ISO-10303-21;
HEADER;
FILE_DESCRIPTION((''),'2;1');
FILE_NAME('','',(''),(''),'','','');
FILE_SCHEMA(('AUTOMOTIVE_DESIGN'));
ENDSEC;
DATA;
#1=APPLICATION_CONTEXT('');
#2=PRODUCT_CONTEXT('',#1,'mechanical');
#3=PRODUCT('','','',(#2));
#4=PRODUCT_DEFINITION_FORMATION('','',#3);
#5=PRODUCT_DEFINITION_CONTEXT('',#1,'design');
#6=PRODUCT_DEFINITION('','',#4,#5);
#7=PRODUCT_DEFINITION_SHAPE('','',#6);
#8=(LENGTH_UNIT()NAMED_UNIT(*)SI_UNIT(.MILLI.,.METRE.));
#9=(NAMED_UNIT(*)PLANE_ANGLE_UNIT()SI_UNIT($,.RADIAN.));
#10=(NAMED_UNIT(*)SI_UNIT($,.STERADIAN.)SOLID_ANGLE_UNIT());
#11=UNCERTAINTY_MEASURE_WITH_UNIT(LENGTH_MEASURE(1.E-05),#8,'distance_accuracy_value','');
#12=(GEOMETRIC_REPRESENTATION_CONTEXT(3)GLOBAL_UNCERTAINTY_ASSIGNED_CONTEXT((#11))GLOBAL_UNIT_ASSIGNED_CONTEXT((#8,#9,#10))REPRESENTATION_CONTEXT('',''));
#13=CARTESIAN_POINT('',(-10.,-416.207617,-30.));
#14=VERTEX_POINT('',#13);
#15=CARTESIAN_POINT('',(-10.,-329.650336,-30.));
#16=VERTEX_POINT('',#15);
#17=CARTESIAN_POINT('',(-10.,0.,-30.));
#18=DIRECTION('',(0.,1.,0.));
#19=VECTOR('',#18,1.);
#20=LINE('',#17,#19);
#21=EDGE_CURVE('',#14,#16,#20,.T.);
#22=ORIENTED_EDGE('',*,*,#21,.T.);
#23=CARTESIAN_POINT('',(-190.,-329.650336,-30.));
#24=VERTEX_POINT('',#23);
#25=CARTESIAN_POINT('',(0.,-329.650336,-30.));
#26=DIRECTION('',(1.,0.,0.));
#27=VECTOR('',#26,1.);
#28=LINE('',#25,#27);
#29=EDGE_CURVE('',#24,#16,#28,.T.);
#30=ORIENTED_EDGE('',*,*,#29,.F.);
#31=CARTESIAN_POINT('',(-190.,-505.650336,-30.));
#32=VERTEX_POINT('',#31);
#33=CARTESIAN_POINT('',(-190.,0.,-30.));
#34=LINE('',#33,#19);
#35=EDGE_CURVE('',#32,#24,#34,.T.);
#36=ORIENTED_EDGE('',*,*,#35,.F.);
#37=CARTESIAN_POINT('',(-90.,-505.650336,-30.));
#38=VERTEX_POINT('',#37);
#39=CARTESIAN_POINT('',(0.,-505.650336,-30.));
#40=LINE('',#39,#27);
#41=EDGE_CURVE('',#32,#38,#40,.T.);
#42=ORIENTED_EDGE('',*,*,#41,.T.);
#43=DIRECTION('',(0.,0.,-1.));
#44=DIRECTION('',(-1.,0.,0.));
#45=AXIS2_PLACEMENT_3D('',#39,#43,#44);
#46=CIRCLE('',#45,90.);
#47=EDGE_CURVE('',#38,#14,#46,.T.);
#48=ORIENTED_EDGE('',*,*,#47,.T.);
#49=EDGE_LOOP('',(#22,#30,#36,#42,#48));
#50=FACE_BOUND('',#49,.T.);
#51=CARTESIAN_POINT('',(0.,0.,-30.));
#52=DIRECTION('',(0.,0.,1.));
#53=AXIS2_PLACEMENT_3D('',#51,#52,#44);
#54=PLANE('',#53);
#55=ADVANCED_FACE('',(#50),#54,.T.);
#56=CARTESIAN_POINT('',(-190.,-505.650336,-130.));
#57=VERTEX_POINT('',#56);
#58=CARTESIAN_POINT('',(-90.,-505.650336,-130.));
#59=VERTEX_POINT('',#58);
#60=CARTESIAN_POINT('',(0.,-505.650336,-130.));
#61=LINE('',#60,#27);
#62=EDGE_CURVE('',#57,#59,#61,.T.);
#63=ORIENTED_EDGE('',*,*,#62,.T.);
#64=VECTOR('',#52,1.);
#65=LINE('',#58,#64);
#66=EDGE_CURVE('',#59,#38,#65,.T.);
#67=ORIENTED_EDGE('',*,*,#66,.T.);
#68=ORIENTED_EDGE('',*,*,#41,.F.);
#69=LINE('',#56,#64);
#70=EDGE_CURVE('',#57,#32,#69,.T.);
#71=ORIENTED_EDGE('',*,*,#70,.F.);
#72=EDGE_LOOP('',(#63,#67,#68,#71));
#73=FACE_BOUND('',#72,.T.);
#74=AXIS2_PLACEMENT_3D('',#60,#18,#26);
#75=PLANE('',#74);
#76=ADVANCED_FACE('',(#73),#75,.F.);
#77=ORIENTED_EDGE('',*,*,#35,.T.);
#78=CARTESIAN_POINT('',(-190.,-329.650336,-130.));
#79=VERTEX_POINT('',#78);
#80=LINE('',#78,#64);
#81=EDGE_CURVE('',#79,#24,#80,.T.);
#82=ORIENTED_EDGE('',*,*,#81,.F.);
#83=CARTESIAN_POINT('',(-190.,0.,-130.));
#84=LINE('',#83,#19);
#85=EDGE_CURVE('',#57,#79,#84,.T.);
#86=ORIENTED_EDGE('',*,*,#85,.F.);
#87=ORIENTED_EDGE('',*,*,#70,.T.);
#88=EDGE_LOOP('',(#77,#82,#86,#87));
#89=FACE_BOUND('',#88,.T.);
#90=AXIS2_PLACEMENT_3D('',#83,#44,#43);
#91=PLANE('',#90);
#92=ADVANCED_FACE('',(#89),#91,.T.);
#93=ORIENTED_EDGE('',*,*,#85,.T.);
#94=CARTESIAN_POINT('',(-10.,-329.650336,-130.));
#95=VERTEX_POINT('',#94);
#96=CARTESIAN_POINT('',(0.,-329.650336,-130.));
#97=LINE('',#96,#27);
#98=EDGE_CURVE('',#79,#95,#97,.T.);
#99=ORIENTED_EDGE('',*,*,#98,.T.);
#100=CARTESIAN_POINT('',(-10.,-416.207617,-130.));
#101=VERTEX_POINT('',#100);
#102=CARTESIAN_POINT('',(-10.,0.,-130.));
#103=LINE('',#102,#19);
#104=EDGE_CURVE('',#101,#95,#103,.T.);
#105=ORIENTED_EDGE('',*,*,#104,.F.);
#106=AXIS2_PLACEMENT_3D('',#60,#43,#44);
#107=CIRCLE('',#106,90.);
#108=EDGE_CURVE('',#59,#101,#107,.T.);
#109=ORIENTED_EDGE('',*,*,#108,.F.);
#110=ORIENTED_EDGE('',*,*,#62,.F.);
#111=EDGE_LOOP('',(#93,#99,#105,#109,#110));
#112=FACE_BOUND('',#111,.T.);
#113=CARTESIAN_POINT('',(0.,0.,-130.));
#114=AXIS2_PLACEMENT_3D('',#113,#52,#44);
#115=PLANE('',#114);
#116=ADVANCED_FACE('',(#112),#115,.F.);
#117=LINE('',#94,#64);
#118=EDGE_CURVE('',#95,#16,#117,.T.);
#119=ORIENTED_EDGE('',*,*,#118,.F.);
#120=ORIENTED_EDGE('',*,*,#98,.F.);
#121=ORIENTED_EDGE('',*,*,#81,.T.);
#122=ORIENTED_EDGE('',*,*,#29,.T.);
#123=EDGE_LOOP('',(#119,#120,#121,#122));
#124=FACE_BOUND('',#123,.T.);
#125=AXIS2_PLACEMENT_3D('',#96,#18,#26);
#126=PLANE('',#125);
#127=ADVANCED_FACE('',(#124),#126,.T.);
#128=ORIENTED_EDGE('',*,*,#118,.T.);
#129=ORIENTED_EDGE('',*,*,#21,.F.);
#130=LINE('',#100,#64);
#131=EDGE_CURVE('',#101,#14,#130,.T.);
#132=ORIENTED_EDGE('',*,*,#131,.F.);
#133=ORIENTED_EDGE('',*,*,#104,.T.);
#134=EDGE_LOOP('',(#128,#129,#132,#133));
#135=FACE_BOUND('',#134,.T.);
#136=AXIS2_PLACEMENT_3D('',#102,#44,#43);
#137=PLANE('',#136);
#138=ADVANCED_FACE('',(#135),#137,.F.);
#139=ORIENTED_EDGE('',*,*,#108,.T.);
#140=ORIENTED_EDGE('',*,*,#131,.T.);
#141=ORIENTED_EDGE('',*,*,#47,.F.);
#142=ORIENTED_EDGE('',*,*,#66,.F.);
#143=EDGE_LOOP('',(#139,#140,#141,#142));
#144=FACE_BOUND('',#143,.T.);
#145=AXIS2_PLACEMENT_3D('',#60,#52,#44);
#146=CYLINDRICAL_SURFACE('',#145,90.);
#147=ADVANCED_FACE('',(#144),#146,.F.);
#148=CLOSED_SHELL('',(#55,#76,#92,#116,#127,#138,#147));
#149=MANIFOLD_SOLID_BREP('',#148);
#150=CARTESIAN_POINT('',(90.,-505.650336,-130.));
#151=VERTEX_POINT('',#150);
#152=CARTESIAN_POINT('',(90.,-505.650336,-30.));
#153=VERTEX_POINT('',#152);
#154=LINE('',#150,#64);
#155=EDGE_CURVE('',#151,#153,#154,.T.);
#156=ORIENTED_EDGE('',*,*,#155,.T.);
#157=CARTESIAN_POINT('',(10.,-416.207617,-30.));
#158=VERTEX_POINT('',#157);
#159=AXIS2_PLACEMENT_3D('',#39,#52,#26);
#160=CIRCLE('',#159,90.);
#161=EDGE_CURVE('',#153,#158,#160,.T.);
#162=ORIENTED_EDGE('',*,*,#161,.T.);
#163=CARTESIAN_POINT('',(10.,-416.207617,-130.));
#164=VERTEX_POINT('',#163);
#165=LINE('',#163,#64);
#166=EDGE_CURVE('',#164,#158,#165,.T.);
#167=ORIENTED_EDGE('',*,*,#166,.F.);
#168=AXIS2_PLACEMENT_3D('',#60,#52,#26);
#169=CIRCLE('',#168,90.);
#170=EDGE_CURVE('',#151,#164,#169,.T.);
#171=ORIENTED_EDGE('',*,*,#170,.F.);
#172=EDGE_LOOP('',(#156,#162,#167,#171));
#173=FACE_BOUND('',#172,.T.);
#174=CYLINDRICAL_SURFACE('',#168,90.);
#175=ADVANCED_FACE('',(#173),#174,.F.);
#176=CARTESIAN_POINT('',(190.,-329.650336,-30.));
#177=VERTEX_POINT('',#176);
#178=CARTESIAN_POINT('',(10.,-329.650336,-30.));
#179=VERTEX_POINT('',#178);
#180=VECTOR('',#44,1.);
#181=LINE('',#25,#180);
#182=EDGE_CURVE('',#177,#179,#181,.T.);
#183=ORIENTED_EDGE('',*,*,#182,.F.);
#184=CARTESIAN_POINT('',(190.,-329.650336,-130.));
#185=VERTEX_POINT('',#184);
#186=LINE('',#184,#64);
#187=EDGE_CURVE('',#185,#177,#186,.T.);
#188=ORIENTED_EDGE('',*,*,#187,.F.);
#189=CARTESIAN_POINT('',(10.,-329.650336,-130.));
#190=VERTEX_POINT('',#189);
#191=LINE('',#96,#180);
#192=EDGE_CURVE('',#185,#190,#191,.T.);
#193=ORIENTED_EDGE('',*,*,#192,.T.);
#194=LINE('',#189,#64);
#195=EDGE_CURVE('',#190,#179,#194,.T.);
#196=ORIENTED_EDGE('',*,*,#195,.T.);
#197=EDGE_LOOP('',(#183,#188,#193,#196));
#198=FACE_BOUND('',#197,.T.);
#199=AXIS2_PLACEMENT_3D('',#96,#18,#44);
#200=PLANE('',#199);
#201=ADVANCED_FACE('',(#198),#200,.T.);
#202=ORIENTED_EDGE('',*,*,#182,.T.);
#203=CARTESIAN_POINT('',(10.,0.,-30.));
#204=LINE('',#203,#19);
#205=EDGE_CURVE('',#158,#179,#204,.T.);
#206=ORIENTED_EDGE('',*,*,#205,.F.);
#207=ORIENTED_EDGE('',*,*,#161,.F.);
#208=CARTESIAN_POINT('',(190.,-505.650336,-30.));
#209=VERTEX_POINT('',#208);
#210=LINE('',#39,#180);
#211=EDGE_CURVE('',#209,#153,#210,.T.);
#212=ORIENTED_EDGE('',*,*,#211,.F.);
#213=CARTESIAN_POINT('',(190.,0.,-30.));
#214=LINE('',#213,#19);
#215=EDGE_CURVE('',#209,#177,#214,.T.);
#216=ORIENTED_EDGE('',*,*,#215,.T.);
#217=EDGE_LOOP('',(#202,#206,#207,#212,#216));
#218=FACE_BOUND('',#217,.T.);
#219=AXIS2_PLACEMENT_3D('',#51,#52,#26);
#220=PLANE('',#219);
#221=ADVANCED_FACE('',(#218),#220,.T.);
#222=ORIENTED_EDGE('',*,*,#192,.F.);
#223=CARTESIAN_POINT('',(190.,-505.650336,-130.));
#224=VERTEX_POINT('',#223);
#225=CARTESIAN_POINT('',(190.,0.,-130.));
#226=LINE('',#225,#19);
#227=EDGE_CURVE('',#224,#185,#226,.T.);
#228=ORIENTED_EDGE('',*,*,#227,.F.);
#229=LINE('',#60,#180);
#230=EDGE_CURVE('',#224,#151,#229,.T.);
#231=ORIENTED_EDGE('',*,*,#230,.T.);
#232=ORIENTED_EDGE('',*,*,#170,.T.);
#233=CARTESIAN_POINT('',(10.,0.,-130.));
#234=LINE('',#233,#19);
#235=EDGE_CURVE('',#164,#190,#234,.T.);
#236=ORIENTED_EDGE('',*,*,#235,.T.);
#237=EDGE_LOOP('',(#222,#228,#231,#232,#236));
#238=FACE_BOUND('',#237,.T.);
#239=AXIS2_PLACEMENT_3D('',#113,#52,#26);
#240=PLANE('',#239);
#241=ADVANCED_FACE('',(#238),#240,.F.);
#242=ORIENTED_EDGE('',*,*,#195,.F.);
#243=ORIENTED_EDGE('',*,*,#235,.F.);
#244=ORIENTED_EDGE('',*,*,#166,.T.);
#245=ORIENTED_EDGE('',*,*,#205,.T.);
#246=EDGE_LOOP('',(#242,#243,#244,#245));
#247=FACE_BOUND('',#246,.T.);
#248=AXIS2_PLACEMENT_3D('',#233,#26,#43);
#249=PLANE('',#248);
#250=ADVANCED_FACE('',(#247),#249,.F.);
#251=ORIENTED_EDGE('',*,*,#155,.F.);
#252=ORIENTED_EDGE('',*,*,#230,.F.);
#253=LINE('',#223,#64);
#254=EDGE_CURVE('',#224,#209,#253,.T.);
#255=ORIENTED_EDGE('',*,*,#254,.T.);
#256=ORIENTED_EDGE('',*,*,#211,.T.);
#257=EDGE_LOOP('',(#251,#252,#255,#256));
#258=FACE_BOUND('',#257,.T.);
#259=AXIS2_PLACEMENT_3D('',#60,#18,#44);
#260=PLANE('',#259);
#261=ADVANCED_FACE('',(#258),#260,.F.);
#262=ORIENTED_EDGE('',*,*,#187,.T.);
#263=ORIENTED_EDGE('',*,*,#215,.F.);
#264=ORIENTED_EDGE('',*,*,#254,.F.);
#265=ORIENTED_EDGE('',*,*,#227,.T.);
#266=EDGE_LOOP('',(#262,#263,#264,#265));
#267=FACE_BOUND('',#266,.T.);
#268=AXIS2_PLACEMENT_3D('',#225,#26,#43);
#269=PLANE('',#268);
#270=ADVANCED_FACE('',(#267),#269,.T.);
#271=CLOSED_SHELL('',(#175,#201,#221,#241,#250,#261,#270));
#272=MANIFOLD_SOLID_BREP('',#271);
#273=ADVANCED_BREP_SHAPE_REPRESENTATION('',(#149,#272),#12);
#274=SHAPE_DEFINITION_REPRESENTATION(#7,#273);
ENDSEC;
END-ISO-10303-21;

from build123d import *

# Parameters (mm, degrees)
BOSS_EXTRUDE1_START = -30
BOSS_EXTRUDE1_DEPTH = 100


with BuildPart() as part:
    # Sketch2 → Boss-Extrude1 (new body)
    with BuildSketch(Plane.XY.offset(BOSS_EXTRUDE1_START)):
        with BuildLine():
            Line((90, -505.650336196), (190, -505.650336196))
            Line((190, -505.650336196), (190, -329.650336196))
            Line((190, -329.650336196), (10, -329.650336196))
            Line((10, -329.650336196), (10, -416.207617096))
            ThreePointArc((10, -416.207617096), (67.082039325, -445.650336196), (90, -505.650336196))
        make_face()
    extrude(amount=-BOSS_EXTRUDE1_DEPTH)


with BuildPart() as body_2:
    # Mirror3: mirrored copy
    add(part.part.mirror(Plane(origin=(0, 0, 0), x_dir=(0, 0, 1), z_dir=(1, 0, 0))))


solid = Compound([part.part, body_2.part])
